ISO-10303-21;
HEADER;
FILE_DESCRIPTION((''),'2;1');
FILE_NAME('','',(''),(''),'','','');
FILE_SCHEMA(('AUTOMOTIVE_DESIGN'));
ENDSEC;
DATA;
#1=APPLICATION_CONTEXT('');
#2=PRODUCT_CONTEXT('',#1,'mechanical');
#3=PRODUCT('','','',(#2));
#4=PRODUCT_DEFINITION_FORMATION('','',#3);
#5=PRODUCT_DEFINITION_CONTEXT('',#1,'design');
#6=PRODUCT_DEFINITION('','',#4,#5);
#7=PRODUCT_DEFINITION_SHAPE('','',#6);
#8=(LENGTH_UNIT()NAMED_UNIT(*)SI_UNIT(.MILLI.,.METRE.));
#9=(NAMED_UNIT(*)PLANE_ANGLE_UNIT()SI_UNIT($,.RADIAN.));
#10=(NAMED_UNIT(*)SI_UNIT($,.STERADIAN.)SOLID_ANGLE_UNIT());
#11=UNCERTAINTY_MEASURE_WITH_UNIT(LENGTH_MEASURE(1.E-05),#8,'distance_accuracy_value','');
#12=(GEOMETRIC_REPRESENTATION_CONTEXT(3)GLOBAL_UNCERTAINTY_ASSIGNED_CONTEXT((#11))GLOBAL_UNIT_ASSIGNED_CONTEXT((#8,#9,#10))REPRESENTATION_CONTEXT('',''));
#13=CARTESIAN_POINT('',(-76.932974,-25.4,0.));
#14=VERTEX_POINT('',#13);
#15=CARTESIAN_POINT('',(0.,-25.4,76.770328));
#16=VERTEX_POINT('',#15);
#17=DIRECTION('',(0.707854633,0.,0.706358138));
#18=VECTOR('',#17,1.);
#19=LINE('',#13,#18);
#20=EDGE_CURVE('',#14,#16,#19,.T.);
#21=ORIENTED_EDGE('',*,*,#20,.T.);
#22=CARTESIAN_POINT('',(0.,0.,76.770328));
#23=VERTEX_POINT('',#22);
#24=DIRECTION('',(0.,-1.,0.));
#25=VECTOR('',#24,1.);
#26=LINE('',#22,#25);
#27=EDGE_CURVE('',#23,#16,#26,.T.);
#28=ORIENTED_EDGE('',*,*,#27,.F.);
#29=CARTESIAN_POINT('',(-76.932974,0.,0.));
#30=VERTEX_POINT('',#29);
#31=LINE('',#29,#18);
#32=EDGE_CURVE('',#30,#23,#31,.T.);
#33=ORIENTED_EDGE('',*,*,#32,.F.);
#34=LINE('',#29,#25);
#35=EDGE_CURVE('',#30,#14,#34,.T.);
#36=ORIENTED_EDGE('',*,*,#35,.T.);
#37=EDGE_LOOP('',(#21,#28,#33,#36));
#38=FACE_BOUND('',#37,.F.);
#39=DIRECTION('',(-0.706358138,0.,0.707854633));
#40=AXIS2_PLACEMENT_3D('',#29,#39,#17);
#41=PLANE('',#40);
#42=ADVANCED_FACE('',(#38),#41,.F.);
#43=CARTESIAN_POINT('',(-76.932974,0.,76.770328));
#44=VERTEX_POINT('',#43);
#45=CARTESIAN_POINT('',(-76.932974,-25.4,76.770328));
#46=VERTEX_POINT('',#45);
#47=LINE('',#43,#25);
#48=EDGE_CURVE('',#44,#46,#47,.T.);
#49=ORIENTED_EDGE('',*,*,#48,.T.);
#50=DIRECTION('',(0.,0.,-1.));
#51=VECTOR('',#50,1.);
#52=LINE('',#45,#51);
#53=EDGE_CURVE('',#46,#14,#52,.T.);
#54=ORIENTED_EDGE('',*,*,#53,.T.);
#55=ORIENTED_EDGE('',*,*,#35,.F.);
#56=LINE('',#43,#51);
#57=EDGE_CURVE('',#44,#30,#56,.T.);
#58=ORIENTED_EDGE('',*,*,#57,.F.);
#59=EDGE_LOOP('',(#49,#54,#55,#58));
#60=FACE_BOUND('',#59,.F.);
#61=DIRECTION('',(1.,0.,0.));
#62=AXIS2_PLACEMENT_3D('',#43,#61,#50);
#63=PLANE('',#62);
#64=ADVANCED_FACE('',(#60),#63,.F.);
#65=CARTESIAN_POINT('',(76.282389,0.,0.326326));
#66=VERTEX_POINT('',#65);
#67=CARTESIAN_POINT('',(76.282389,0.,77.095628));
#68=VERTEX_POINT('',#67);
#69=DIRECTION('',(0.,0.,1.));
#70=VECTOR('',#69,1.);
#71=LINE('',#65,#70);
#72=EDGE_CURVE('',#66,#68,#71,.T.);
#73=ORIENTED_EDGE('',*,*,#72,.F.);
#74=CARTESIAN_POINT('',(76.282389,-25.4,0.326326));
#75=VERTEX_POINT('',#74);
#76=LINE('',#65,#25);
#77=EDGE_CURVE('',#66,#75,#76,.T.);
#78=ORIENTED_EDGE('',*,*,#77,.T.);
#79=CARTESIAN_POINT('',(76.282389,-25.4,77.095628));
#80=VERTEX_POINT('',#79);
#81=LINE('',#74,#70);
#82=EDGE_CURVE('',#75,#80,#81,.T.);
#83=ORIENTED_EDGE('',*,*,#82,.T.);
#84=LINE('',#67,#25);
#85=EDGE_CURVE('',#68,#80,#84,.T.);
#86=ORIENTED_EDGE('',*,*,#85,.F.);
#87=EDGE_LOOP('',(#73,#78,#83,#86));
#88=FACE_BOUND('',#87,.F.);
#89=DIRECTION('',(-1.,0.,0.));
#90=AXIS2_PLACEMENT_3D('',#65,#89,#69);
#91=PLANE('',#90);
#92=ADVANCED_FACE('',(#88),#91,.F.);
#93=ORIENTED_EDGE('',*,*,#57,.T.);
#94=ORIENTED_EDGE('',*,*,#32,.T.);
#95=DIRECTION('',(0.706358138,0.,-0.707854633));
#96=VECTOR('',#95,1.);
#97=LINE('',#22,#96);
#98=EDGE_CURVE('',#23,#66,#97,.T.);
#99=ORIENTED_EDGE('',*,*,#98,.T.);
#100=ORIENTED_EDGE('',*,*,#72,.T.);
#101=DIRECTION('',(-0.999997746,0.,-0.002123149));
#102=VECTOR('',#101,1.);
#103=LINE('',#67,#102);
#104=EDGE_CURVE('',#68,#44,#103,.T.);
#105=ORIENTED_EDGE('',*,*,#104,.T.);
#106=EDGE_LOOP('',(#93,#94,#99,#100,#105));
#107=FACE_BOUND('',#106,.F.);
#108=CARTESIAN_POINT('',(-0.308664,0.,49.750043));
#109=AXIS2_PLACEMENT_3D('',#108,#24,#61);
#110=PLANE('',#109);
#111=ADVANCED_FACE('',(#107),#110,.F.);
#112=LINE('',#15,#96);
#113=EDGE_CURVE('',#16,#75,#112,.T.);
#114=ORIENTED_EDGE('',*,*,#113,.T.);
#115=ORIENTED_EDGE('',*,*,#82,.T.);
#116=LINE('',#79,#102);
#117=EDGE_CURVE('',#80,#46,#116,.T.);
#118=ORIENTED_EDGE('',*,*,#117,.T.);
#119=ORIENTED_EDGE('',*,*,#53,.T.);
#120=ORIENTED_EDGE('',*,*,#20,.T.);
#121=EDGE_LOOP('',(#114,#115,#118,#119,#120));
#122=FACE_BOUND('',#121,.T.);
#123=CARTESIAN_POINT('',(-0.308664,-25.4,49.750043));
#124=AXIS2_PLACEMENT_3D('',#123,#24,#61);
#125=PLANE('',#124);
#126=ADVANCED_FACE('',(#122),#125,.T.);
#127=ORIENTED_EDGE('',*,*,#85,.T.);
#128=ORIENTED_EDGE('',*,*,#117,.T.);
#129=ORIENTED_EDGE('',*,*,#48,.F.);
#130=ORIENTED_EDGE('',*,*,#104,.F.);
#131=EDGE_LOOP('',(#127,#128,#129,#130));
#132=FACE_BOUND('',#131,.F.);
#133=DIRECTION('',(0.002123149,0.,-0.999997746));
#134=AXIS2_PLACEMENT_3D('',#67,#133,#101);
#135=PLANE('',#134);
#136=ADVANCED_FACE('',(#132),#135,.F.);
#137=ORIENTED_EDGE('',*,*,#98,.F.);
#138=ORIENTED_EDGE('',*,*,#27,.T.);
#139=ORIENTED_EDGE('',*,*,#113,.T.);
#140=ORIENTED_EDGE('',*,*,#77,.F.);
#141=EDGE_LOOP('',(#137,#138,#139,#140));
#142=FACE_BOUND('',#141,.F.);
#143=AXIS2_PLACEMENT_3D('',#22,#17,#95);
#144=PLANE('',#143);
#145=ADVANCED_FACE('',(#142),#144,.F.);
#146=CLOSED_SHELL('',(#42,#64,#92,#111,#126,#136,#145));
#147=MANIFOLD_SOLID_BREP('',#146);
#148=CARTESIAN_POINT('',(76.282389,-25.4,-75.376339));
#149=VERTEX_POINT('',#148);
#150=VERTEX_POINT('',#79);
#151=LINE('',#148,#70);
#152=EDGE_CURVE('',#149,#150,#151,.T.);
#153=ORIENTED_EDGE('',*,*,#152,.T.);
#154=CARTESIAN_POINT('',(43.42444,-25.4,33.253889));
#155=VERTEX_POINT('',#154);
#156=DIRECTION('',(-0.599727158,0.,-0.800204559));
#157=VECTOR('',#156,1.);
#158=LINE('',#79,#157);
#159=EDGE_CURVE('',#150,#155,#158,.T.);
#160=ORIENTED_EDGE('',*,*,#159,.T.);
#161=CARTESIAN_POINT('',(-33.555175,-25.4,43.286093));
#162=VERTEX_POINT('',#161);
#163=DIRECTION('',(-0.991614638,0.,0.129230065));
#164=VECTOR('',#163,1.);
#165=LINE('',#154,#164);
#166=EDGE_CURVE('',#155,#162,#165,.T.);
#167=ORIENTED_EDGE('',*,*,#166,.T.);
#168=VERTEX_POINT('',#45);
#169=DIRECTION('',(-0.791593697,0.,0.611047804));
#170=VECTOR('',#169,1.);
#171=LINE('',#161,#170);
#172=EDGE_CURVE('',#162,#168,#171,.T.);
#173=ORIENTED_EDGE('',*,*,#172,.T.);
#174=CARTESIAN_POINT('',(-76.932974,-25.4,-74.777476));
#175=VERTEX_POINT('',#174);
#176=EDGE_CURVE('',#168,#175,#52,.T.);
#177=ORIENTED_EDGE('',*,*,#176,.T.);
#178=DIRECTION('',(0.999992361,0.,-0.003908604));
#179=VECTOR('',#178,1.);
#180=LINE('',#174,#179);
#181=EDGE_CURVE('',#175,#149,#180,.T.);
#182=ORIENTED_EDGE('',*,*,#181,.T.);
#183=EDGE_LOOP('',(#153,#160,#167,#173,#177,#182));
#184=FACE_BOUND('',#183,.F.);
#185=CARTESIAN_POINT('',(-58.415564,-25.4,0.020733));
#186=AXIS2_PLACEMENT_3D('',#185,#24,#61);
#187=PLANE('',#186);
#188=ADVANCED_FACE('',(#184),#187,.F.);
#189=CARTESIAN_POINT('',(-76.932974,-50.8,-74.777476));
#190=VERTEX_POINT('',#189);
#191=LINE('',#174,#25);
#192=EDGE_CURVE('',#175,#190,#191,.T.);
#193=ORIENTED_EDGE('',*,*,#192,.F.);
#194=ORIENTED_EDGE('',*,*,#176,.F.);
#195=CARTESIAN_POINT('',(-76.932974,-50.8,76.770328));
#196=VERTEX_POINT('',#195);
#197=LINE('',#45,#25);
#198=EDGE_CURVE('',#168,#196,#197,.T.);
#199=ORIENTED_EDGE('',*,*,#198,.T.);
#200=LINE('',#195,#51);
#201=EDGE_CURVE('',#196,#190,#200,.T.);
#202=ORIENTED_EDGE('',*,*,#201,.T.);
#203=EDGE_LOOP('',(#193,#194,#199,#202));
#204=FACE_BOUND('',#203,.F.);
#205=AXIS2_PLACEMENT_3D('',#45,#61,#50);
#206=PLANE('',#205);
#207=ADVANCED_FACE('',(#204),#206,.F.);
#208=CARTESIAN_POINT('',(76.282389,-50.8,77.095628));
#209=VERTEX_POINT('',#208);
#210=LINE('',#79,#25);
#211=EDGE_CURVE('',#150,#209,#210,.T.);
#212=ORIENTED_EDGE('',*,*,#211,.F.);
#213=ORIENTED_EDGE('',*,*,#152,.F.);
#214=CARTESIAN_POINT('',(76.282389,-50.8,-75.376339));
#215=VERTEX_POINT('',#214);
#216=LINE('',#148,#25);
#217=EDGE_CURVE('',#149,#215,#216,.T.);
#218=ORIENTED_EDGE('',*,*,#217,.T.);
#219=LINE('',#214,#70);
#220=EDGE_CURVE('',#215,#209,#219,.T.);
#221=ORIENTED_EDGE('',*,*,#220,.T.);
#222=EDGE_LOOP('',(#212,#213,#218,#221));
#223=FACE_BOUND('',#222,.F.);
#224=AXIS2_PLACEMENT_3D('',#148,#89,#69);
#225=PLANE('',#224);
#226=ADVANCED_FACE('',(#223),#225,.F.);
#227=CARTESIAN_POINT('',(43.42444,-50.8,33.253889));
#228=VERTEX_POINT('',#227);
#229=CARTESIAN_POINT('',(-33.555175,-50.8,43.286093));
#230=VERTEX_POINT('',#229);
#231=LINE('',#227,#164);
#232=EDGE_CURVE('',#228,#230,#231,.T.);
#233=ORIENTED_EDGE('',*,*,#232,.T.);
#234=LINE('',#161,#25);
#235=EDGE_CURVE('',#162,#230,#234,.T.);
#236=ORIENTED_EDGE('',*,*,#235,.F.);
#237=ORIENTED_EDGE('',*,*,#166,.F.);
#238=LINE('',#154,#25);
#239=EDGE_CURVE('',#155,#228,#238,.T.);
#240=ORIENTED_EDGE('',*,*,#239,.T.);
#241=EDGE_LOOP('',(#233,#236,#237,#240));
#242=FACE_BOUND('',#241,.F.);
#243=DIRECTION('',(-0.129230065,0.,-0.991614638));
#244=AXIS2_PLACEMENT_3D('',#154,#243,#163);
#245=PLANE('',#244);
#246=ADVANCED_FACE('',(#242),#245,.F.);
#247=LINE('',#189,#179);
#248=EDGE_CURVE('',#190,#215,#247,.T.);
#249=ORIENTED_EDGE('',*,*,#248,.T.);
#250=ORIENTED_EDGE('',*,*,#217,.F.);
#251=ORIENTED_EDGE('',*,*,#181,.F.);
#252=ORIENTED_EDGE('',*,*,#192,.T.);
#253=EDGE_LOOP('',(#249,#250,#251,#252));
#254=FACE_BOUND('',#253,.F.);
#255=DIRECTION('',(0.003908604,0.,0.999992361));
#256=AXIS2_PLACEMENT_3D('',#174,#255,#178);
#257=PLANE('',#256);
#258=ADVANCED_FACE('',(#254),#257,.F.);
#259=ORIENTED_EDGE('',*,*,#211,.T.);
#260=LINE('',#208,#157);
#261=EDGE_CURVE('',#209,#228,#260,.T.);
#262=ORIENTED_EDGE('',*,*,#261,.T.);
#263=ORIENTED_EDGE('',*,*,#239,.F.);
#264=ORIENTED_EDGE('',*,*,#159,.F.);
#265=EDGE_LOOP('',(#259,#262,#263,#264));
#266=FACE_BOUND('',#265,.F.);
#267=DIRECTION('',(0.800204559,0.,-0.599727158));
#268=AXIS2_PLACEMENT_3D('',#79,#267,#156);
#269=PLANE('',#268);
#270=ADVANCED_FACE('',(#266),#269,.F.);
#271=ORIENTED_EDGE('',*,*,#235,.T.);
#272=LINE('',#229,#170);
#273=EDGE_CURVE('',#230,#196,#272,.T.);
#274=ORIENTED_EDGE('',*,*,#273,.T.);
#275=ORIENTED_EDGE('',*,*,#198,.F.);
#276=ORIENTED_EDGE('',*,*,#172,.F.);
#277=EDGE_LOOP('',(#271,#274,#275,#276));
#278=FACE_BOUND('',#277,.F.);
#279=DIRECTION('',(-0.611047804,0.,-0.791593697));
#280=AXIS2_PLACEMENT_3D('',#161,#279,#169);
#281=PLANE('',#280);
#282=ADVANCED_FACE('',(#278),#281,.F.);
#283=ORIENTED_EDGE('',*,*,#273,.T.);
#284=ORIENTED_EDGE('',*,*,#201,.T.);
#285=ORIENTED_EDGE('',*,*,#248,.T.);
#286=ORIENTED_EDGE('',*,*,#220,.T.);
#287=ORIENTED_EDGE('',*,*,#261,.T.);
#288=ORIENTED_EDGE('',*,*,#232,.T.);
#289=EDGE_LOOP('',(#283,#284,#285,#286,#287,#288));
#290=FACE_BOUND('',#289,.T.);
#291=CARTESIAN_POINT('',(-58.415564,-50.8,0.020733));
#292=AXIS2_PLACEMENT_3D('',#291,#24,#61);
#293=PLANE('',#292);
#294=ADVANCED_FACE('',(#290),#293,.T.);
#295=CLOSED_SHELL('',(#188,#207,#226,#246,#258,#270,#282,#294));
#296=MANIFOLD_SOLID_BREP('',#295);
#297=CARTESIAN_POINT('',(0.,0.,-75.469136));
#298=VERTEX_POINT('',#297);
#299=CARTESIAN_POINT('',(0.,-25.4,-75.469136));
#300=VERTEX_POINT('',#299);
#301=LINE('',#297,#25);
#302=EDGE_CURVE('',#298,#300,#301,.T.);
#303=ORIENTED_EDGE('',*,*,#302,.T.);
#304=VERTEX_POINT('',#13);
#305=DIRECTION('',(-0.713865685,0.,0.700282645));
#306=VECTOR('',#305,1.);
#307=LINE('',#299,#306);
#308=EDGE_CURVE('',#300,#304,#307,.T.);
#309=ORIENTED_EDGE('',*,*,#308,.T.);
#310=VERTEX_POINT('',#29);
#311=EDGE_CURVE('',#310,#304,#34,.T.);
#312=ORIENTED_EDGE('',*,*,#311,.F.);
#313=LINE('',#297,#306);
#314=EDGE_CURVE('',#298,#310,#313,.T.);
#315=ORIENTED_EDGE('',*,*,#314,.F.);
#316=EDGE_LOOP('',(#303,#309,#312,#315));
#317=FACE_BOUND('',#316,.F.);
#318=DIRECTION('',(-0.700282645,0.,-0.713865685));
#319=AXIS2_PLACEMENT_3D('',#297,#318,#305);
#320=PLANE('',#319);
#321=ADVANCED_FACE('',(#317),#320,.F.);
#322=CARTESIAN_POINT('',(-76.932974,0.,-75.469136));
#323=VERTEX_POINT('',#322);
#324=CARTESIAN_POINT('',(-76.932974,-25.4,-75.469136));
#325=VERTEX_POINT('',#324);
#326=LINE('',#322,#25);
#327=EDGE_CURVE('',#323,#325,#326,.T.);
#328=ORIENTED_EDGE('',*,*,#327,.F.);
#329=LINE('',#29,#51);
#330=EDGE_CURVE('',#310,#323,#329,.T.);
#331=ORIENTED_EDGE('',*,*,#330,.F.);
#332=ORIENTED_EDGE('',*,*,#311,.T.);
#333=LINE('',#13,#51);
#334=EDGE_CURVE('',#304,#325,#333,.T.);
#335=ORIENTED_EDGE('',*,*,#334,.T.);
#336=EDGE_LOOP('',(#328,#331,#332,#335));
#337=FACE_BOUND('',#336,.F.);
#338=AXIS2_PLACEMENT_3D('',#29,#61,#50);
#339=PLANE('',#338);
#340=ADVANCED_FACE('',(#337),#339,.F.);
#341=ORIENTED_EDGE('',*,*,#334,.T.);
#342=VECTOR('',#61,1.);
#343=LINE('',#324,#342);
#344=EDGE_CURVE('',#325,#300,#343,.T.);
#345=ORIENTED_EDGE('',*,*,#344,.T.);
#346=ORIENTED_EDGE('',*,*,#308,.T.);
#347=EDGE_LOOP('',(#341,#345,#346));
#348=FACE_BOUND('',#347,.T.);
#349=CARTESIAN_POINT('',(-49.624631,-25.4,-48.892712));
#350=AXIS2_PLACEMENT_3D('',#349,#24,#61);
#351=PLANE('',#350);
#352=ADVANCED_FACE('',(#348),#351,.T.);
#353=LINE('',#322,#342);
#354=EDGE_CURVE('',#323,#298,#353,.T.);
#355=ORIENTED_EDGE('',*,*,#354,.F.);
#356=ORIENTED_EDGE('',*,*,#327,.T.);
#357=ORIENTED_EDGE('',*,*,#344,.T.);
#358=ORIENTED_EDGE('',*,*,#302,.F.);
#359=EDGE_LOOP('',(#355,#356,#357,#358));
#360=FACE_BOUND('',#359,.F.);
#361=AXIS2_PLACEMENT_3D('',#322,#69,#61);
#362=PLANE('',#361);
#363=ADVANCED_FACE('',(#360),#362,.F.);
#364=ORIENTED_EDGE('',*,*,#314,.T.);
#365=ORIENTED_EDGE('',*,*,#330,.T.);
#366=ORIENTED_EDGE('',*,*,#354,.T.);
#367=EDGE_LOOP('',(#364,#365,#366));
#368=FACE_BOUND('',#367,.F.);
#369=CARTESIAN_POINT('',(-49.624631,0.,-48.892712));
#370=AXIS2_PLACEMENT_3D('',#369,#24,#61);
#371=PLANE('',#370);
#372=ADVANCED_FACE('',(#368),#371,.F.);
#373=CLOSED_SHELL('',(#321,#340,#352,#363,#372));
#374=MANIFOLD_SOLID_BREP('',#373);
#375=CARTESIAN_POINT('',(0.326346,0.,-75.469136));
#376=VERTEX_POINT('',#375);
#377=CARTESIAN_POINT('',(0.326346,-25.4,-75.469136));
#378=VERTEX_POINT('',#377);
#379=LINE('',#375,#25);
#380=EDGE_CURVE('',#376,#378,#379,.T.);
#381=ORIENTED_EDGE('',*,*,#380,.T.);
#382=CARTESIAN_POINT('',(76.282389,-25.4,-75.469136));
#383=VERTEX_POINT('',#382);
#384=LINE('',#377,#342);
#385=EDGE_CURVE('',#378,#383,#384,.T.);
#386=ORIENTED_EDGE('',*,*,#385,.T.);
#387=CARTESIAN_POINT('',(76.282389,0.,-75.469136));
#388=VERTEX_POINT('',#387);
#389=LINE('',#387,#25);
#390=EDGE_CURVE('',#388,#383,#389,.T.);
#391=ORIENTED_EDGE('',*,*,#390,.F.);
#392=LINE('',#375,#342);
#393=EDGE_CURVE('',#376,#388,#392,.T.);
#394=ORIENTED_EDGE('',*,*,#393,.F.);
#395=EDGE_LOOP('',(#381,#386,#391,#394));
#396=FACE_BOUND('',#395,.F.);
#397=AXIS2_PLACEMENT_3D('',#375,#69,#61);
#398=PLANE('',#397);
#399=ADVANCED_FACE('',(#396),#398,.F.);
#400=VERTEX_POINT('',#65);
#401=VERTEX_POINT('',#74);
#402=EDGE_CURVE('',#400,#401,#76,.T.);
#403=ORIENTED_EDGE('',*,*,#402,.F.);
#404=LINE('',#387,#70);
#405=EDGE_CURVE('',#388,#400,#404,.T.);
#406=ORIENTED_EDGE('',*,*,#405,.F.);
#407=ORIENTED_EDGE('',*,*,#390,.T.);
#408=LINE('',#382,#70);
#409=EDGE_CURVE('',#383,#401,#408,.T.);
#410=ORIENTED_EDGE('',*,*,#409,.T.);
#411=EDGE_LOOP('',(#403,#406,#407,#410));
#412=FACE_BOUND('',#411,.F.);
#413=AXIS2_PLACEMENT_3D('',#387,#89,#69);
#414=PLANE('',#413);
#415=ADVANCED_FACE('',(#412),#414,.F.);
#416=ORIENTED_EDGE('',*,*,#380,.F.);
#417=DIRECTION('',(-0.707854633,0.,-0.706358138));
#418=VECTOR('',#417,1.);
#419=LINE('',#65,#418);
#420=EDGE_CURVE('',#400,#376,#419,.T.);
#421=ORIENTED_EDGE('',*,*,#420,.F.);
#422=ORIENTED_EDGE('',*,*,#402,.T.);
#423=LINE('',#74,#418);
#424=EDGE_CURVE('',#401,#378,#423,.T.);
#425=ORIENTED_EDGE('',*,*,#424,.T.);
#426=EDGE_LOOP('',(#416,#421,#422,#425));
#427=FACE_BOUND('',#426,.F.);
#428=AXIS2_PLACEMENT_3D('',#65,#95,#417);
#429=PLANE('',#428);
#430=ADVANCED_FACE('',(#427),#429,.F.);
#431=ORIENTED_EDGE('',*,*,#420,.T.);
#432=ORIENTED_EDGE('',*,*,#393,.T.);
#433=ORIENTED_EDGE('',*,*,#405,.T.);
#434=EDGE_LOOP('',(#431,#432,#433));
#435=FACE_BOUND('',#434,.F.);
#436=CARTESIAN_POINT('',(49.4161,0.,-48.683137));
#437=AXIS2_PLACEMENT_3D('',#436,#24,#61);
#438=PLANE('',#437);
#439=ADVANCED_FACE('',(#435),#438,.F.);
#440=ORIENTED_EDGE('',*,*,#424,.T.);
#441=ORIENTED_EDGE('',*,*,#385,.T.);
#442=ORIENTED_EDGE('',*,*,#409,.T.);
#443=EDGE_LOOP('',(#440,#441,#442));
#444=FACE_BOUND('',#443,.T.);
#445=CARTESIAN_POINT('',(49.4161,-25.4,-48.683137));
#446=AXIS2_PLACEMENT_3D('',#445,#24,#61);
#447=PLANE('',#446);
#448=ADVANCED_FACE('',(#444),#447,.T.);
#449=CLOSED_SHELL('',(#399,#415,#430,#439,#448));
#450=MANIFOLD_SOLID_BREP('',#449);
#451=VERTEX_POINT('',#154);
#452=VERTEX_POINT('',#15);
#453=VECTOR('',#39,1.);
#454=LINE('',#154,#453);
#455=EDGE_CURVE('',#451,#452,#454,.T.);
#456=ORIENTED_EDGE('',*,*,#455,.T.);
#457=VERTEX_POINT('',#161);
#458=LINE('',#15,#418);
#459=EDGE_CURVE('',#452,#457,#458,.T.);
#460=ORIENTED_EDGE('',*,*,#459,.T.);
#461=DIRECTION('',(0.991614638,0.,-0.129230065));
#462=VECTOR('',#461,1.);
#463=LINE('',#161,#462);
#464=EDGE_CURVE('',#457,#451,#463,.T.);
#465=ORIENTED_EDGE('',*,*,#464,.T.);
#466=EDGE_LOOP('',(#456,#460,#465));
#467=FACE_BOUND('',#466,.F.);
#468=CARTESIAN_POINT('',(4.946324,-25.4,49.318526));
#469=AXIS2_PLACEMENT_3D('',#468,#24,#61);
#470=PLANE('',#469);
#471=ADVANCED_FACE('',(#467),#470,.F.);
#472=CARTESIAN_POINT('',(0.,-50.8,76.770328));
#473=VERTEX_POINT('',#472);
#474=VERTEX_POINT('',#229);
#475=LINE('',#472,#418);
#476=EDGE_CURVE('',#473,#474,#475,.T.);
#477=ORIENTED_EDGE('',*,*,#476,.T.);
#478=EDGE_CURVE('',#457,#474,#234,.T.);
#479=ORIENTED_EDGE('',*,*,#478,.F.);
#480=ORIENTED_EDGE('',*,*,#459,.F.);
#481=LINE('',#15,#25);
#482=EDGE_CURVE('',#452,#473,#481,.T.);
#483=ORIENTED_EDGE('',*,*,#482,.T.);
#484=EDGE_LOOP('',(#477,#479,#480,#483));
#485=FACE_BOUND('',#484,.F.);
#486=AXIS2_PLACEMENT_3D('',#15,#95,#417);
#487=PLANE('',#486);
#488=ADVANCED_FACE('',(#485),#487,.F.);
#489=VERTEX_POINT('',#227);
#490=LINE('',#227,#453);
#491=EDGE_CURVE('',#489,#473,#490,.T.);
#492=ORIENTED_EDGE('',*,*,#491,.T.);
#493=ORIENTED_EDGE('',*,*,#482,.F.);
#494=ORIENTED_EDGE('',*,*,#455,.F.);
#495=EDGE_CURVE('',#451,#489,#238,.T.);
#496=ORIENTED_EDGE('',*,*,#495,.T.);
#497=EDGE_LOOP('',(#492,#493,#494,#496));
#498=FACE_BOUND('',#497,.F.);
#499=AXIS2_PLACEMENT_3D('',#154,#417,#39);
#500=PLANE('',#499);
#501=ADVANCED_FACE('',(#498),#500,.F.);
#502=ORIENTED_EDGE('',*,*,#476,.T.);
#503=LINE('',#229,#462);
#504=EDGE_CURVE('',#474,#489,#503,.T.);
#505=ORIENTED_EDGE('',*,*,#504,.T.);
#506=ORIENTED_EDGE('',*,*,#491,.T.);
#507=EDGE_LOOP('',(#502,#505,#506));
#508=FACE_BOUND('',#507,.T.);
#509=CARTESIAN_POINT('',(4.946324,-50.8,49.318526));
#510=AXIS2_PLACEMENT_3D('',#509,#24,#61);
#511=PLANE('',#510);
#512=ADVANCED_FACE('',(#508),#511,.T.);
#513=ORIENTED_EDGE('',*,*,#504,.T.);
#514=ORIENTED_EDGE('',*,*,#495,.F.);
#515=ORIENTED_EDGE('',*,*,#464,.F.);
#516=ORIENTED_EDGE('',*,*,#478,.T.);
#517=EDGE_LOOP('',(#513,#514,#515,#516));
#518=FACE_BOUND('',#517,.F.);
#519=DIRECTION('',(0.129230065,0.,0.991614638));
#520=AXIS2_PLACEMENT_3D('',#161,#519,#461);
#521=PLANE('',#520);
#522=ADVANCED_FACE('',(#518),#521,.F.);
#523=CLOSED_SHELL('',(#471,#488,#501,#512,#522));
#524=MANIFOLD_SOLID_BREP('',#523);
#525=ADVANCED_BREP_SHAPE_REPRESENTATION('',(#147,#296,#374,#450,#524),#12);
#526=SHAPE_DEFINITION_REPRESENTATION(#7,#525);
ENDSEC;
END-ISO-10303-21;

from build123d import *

# Parameters (mm, degrees)
F1_DEPTH = 25.4
F3_DEPTH = 25.4
F4_DEPTH = 25.4


with BuildPart() as f1:
    # F0 (on Front) → F1 (new body)
    with BuildSketch(Plane.XZ):
        Polygon((76.282389462, 77.0956277847), (-76.9329741597, 76.7703279853), (-76.9329741597, 0), (0, 76.7703279853), (76.282389462, 0.326326099), align=None)
    extrude(amount=F1_DEPTH)


with BuildPart() as f1b:
    # F0 (on Front) → F1, piece 2 (new body)
    with BuildSketch(Plane.XZ):
        Polygon((76.282389462, -75.4691362381), (76.282389462, 0.326326099), (0.326346308, -75.4691362381), align=None)
    extrude(amount=F1_DEPTH)


with BuildPart() as f1c:
    # F0 (on Front) → F1, piece 3 (new body)
    with BuildSketch(Plane.XZ):
        Polygon((0, -75.4691362381), (-76.9329741597, 0), (-76.9329741597, -75.4691362381), align=None)
    extrude(amount=F1_DEPTH)


with BuildPart() as f3:
    # F2 (on face) → F3 (new body)
    with BuildSketch(Plane.XZ.offset(25.4)):
        Polygon((0, 76.7703279853), (-33.5551746446, 43.2860932835), (43.4244395533, 33.253889099), align=None)
    extrude(amount=F3_DEPTH)


with BuildPart() as f4:
    # F2 (on face) → F4 (new body)
    with BuildSketch(Plane.XZ.offset(25.4)):
        Polygon((-33.5551746446, 43.2860932835), (-76.9329741597, 76.7703279853), (-76.9329741597, -74.7774764895), (-30.2719958127, -46.0318885744), align=None)
        Polygon((43.4244395533, 33.253889099), (-33.5551746446, 43.2860932835), (-30.2719958127, -46.0318885744), (30.0138946623, -46.0318885744), align=None)
        Polygon((-30.2719958127, -46.0318885744), (-76.9329741597, -74.7774764895), (76.282389462, -75.3763392568), (30.0138946623, -46.0318885744), align=None)
        Polygon((76.282389462, 77.0956277847), (43.4244395533, 33.253889099), (30.0138946623, -46.0318885744), (76.282389462, -75.3763392568), align=None)
    extrude(amount=F4_DEPTH)


solid = Compound([f1.part, f1b.part, f1c.part, f3.part, f4.part])
